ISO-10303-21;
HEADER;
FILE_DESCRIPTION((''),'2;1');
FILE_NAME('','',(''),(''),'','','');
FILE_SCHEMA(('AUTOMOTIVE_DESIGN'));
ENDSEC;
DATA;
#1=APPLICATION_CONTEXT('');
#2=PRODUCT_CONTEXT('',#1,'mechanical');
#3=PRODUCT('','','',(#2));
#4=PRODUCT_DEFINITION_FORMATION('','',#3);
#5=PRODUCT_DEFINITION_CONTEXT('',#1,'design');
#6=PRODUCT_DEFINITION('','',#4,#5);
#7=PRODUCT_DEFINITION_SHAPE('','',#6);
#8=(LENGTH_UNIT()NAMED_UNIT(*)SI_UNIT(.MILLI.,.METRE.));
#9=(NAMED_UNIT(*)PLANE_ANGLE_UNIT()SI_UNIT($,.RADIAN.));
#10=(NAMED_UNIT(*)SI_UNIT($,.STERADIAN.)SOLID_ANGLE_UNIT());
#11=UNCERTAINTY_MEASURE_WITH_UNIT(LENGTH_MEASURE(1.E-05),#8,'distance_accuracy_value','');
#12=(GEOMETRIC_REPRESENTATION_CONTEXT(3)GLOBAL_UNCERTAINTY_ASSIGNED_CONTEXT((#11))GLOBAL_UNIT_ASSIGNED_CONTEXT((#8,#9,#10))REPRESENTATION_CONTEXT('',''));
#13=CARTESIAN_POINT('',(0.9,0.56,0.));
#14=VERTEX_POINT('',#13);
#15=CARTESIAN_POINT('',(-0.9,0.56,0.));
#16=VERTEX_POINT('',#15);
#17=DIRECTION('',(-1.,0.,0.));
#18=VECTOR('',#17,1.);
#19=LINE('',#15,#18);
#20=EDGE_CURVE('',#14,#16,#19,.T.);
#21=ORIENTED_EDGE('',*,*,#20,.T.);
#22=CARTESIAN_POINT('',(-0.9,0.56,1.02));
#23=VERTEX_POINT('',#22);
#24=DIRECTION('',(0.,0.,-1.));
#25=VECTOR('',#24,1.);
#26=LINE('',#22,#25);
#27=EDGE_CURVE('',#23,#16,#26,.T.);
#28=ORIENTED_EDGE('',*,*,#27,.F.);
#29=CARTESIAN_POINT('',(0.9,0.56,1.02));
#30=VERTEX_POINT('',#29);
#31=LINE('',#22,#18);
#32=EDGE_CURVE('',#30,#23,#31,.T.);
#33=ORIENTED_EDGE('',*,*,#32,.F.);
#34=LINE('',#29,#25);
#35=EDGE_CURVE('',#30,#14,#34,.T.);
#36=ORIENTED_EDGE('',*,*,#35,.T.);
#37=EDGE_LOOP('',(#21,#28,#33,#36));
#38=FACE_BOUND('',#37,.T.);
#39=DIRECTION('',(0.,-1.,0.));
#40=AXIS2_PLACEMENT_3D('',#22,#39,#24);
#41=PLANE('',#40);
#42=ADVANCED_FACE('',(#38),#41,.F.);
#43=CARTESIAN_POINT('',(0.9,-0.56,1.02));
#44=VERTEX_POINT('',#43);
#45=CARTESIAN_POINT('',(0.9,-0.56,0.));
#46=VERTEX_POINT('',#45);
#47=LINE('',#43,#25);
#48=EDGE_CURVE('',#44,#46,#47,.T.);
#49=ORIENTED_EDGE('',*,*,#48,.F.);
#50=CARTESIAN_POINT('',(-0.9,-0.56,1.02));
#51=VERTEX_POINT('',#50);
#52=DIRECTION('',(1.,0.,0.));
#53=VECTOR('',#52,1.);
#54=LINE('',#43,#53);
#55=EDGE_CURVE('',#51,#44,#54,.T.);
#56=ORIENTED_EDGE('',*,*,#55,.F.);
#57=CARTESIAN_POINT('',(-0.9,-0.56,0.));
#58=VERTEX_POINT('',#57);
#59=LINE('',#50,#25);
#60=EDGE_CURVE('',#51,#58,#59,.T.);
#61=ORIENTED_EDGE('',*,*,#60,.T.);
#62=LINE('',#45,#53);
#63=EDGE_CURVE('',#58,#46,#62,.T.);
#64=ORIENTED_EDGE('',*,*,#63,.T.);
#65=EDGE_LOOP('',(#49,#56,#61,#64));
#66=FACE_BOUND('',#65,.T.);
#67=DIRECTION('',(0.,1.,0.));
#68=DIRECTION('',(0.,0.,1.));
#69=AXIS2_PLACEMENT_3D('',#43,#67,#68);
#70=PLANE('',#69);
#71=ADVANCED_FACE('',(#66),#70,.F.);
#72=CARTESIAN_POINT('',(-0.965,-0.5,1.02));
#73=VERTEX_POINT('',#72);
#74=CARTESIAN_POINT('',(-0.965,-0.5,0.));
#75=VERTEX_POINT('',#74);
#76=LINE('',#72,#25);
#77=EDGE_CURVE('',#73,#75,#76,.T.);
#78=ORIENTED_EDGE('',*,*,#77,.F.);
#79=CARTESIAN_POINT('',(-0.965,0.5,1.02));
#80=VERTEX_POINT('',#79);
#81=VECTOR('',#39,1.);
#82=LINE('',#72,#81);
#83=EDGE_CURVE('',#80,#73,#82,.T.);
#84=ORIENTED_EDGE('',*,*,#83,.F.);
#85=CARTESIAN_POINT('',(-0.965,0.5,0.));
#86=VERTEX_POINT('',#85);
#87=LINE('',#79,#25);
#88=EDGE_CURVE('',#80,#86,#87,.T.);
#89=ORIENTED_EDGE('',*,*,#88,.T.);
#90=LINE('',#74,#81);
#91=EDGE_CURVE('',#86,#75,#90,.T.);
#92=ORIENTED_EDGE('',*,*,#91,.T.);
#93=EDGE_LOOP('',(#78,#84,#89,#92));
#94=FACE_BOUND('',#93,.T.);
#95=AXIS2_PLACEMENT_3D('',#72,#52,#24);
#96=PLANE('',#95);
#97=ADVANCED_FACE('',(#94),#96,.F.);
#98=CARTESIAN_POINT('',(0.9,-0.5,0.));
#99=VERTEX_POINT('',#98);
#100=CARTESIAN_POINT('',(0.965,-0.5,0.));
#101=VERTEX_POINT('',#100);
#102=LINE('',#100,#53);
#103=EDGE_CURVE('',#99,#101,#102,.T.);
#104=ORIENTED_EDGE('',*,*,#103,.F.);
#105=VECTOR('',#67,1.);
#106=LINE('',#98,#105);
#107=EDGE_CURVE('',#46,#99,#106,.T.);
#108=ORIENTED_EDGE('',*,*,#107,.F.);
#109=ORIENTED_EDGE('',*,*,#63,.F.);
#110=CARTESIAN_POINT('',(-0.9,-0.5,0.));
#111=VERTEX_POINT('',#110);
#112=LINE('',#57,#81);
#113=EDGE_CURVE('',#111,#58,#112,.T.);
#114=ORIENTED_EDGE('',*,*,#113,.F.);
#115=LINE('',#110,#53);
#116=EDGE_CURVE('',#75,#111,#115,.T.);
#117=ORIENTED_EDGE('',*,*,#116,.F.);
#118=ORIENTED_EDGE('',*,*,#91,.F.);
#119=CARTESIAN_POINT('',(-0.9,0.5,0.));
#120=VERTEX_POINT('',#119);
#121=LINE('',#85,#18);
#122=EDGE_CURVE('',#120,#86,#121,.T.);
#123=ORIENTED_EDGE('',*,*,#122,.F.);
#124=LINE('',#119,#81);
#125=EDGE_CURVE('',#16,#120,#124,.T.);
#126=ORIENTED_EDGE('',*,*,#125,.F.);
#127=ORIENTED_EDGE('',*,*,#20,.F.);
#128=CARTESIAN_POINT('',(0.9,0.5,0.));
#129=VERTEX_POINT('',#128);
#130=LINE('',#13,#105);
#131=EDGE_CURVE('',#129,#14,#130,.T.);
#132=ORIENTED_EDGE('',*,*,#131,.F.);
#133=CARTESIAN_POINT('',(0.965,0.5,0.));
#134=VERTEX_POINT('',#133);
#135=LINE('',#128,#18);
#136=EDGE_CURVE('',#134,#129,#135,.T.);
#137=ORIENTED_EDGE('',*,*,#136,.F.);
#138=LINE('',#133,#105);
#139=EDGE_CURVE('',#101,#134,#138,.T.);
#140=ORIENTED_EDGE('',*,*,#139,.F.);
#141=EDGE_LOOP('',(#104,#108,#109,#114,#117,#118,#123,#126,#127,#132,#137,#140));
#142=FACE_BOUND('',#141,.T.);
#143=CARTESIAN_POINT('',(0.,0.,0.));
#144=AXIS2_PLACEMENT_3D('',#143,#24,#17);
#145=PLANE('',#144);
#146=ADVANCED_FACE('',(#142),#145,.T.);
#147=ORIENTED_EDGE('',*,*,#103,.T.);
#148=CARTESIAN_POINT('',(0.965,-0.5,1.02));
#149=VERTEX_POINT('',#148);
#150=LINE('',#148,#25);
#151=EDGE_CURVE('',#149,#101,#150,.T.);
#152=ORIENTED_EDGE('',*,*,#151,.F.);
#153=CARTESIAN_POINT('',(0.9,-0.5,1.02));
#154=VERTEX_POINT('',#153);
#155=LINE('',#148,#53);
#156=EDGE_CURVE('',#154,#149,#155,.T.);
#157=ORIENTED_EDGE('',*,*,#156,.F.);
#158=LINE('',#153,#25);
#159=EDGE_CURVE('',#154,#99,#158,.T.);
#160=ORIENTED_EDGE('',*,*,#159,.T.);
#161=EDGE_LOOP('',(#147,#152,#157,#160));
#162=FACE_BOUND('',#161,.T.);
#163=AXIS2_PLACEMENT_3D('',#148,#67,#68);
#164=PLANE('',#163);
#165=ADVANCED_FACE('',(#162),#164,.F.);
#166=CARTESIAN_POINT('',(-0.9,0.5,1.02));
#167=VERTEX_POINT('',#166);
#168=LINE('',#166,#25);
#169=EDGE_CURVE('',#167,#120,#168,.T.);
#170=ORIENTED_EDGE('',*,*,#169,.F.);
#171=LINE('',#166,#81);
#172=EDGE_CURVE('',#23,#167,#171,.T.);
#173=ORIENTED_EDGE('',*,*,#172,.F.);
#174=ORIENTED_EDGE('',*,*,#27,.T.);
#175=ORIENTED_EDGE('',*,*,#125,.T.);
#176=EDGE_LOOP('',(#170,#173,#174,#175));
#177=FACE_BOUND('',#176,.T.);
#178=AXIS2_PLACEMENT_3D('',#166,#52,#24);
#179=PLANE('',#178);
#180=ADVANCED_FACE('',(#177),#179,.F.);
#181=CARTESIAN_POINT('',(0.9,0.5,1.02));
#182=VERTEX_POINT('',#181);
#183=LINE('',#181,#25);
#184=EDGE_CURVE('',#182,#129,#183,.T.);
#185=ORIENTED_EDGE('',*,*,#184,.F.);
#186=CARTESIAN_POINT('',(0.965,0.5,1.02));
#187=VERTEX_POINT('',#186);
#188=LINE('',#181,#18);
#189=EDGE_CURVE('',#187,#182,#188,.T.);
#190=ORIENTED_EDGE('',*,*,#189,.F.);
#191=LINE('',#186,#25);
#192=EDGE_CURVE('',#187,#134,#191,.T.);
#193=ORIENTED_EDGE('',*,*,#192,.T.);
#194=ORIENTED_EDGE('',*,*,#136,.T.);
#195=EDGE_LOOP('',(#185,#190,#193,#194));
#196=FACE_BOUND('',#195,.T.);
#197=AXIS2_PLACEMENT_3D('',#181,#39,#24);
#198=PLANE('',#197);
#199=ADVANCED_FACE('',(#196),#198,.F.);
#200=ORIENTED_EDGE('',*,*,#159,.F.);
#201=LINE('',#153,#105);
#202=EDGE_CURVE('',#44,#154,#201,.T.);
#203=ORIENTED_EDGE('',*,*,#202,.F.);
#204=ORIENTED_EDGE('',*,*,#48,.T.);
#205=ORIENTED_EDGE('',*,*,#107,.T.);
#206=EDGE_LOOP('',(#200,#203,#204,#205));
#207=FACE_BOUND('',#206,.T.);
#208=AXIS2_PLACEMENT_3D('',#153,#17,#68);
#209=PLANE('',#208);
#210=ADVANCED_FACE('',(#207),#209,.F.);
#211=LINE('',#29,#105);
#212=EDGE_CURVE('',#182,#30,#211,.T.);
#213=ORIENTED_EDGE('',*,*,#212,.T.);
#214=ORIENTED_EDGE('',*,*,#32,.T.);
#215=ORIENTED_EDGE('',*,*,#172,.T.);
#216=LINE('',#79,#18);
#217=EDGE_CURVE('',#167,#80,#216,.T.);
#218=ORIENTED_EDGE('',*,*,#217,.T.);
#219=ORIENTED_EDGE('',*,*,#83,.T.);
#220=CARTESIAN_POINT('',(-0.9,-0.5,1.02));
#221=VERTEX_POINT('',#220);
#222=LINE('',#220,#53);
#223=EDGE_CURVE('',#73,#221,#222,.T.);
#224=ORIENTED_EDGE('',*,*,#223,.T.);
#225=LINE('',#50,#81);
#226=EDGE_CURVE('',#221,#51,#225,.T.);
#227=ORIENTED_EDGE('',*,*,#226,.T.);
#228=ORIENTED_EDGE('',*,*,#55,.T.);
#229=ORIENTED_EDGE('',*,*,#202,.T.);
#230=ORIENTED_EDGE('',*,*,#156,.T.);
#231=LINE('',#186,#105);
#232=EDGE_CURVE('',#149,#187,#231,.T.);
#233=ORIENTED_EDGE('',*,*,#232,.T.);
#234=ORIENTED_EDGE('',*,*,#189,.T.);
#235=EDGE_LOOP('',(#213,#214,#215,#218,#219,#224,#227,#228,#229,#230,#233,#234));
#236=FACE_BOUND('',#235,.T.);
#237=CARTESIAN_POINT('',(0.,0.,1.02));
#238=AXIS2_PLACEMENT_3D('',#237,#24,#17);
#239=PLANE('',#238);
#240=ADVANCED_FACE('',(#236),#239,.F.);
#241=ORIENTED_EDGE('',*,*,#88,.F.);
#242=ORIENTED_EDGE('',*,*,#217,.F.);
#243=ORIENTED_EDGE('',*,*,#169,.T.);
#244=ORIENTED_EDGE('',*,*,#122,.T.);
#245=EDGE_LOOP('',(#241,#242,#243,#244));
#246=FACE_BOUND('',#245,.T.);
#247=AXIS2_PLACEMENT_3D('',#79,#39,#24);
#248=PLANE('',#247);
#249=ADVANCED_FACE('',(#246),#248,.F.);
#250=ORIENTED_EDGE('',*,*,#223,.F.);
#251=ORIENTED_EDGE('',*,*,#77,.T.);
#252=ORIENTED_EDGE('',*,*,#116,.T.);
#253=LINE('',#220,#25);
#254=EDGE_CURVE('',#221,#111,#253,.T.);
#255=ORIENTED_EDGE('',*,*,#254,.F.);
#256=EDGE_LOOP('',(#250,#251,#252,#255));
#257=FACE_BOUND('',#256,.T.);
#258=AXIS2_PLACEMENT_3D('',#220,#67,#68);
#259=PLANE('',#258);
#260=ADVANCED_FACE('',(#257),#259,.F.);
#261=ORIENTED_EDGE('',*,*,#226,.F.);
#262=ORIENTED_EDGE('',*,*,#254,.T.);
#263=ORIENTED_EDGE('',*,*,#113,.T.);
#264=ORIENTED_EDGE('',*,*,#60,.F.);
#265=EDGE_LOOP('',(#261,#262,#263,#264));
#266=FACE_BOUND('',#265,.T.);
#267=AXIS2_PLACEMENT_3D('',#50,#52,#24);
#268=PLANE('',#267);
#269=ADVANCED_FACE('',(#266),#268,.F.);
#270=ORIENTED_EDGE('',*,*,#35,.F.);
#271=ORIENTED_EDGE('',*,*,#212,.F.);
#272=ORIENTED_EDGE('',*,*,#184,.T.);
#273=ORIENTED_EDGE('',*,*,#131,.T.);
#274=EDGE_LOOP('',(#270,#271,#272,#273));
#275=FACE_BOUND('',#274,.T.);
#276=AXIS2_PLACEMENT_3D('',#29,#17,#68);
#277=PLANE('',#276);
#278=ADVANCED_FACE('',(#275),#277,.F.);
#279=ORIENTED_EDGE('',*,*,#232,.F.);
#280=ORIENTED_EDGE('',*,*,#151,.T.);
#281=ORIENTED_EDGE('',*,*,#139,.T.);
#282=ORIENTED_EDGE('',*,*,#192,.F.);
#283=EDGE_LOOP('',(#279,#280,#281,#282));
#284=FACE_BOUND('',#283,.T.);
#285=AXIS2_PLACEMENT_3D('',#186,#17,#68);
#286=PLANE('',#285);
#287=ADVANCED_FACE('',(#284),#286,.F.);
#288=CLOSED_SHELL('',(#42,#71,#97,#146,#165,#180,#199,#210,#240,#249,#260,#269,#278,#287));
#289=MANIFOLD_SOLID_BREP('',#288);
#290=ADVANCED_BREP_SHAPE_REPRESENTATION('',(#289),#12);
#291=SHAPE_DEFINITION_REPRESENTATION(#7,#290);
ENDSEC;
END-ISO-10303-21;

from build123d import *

# Parameters (mm, degrees)
COMPONENT_OUTLINE_DEPTH = 1.02


with BuildPart() as part:
    # 草图1 → Component_Outline (new body)
    with BuildSketch(Plane.XY):
        Polygon((0.965, -0.5), (0.9, -0.5), (0.9, -0.56), (-0.9, -0.56), (-0.9, -0.5), (-0.965, -0.5), (-0.965, 0.5), (-0.9, 0.5), (-0.9, 0.56), (0.9, 0.56), (0.9, 0.5), (0.965, 0.5), align=None)
    extrude(amount=COMPONENT_OUTLINE_DEPTH)


solid = part.part
